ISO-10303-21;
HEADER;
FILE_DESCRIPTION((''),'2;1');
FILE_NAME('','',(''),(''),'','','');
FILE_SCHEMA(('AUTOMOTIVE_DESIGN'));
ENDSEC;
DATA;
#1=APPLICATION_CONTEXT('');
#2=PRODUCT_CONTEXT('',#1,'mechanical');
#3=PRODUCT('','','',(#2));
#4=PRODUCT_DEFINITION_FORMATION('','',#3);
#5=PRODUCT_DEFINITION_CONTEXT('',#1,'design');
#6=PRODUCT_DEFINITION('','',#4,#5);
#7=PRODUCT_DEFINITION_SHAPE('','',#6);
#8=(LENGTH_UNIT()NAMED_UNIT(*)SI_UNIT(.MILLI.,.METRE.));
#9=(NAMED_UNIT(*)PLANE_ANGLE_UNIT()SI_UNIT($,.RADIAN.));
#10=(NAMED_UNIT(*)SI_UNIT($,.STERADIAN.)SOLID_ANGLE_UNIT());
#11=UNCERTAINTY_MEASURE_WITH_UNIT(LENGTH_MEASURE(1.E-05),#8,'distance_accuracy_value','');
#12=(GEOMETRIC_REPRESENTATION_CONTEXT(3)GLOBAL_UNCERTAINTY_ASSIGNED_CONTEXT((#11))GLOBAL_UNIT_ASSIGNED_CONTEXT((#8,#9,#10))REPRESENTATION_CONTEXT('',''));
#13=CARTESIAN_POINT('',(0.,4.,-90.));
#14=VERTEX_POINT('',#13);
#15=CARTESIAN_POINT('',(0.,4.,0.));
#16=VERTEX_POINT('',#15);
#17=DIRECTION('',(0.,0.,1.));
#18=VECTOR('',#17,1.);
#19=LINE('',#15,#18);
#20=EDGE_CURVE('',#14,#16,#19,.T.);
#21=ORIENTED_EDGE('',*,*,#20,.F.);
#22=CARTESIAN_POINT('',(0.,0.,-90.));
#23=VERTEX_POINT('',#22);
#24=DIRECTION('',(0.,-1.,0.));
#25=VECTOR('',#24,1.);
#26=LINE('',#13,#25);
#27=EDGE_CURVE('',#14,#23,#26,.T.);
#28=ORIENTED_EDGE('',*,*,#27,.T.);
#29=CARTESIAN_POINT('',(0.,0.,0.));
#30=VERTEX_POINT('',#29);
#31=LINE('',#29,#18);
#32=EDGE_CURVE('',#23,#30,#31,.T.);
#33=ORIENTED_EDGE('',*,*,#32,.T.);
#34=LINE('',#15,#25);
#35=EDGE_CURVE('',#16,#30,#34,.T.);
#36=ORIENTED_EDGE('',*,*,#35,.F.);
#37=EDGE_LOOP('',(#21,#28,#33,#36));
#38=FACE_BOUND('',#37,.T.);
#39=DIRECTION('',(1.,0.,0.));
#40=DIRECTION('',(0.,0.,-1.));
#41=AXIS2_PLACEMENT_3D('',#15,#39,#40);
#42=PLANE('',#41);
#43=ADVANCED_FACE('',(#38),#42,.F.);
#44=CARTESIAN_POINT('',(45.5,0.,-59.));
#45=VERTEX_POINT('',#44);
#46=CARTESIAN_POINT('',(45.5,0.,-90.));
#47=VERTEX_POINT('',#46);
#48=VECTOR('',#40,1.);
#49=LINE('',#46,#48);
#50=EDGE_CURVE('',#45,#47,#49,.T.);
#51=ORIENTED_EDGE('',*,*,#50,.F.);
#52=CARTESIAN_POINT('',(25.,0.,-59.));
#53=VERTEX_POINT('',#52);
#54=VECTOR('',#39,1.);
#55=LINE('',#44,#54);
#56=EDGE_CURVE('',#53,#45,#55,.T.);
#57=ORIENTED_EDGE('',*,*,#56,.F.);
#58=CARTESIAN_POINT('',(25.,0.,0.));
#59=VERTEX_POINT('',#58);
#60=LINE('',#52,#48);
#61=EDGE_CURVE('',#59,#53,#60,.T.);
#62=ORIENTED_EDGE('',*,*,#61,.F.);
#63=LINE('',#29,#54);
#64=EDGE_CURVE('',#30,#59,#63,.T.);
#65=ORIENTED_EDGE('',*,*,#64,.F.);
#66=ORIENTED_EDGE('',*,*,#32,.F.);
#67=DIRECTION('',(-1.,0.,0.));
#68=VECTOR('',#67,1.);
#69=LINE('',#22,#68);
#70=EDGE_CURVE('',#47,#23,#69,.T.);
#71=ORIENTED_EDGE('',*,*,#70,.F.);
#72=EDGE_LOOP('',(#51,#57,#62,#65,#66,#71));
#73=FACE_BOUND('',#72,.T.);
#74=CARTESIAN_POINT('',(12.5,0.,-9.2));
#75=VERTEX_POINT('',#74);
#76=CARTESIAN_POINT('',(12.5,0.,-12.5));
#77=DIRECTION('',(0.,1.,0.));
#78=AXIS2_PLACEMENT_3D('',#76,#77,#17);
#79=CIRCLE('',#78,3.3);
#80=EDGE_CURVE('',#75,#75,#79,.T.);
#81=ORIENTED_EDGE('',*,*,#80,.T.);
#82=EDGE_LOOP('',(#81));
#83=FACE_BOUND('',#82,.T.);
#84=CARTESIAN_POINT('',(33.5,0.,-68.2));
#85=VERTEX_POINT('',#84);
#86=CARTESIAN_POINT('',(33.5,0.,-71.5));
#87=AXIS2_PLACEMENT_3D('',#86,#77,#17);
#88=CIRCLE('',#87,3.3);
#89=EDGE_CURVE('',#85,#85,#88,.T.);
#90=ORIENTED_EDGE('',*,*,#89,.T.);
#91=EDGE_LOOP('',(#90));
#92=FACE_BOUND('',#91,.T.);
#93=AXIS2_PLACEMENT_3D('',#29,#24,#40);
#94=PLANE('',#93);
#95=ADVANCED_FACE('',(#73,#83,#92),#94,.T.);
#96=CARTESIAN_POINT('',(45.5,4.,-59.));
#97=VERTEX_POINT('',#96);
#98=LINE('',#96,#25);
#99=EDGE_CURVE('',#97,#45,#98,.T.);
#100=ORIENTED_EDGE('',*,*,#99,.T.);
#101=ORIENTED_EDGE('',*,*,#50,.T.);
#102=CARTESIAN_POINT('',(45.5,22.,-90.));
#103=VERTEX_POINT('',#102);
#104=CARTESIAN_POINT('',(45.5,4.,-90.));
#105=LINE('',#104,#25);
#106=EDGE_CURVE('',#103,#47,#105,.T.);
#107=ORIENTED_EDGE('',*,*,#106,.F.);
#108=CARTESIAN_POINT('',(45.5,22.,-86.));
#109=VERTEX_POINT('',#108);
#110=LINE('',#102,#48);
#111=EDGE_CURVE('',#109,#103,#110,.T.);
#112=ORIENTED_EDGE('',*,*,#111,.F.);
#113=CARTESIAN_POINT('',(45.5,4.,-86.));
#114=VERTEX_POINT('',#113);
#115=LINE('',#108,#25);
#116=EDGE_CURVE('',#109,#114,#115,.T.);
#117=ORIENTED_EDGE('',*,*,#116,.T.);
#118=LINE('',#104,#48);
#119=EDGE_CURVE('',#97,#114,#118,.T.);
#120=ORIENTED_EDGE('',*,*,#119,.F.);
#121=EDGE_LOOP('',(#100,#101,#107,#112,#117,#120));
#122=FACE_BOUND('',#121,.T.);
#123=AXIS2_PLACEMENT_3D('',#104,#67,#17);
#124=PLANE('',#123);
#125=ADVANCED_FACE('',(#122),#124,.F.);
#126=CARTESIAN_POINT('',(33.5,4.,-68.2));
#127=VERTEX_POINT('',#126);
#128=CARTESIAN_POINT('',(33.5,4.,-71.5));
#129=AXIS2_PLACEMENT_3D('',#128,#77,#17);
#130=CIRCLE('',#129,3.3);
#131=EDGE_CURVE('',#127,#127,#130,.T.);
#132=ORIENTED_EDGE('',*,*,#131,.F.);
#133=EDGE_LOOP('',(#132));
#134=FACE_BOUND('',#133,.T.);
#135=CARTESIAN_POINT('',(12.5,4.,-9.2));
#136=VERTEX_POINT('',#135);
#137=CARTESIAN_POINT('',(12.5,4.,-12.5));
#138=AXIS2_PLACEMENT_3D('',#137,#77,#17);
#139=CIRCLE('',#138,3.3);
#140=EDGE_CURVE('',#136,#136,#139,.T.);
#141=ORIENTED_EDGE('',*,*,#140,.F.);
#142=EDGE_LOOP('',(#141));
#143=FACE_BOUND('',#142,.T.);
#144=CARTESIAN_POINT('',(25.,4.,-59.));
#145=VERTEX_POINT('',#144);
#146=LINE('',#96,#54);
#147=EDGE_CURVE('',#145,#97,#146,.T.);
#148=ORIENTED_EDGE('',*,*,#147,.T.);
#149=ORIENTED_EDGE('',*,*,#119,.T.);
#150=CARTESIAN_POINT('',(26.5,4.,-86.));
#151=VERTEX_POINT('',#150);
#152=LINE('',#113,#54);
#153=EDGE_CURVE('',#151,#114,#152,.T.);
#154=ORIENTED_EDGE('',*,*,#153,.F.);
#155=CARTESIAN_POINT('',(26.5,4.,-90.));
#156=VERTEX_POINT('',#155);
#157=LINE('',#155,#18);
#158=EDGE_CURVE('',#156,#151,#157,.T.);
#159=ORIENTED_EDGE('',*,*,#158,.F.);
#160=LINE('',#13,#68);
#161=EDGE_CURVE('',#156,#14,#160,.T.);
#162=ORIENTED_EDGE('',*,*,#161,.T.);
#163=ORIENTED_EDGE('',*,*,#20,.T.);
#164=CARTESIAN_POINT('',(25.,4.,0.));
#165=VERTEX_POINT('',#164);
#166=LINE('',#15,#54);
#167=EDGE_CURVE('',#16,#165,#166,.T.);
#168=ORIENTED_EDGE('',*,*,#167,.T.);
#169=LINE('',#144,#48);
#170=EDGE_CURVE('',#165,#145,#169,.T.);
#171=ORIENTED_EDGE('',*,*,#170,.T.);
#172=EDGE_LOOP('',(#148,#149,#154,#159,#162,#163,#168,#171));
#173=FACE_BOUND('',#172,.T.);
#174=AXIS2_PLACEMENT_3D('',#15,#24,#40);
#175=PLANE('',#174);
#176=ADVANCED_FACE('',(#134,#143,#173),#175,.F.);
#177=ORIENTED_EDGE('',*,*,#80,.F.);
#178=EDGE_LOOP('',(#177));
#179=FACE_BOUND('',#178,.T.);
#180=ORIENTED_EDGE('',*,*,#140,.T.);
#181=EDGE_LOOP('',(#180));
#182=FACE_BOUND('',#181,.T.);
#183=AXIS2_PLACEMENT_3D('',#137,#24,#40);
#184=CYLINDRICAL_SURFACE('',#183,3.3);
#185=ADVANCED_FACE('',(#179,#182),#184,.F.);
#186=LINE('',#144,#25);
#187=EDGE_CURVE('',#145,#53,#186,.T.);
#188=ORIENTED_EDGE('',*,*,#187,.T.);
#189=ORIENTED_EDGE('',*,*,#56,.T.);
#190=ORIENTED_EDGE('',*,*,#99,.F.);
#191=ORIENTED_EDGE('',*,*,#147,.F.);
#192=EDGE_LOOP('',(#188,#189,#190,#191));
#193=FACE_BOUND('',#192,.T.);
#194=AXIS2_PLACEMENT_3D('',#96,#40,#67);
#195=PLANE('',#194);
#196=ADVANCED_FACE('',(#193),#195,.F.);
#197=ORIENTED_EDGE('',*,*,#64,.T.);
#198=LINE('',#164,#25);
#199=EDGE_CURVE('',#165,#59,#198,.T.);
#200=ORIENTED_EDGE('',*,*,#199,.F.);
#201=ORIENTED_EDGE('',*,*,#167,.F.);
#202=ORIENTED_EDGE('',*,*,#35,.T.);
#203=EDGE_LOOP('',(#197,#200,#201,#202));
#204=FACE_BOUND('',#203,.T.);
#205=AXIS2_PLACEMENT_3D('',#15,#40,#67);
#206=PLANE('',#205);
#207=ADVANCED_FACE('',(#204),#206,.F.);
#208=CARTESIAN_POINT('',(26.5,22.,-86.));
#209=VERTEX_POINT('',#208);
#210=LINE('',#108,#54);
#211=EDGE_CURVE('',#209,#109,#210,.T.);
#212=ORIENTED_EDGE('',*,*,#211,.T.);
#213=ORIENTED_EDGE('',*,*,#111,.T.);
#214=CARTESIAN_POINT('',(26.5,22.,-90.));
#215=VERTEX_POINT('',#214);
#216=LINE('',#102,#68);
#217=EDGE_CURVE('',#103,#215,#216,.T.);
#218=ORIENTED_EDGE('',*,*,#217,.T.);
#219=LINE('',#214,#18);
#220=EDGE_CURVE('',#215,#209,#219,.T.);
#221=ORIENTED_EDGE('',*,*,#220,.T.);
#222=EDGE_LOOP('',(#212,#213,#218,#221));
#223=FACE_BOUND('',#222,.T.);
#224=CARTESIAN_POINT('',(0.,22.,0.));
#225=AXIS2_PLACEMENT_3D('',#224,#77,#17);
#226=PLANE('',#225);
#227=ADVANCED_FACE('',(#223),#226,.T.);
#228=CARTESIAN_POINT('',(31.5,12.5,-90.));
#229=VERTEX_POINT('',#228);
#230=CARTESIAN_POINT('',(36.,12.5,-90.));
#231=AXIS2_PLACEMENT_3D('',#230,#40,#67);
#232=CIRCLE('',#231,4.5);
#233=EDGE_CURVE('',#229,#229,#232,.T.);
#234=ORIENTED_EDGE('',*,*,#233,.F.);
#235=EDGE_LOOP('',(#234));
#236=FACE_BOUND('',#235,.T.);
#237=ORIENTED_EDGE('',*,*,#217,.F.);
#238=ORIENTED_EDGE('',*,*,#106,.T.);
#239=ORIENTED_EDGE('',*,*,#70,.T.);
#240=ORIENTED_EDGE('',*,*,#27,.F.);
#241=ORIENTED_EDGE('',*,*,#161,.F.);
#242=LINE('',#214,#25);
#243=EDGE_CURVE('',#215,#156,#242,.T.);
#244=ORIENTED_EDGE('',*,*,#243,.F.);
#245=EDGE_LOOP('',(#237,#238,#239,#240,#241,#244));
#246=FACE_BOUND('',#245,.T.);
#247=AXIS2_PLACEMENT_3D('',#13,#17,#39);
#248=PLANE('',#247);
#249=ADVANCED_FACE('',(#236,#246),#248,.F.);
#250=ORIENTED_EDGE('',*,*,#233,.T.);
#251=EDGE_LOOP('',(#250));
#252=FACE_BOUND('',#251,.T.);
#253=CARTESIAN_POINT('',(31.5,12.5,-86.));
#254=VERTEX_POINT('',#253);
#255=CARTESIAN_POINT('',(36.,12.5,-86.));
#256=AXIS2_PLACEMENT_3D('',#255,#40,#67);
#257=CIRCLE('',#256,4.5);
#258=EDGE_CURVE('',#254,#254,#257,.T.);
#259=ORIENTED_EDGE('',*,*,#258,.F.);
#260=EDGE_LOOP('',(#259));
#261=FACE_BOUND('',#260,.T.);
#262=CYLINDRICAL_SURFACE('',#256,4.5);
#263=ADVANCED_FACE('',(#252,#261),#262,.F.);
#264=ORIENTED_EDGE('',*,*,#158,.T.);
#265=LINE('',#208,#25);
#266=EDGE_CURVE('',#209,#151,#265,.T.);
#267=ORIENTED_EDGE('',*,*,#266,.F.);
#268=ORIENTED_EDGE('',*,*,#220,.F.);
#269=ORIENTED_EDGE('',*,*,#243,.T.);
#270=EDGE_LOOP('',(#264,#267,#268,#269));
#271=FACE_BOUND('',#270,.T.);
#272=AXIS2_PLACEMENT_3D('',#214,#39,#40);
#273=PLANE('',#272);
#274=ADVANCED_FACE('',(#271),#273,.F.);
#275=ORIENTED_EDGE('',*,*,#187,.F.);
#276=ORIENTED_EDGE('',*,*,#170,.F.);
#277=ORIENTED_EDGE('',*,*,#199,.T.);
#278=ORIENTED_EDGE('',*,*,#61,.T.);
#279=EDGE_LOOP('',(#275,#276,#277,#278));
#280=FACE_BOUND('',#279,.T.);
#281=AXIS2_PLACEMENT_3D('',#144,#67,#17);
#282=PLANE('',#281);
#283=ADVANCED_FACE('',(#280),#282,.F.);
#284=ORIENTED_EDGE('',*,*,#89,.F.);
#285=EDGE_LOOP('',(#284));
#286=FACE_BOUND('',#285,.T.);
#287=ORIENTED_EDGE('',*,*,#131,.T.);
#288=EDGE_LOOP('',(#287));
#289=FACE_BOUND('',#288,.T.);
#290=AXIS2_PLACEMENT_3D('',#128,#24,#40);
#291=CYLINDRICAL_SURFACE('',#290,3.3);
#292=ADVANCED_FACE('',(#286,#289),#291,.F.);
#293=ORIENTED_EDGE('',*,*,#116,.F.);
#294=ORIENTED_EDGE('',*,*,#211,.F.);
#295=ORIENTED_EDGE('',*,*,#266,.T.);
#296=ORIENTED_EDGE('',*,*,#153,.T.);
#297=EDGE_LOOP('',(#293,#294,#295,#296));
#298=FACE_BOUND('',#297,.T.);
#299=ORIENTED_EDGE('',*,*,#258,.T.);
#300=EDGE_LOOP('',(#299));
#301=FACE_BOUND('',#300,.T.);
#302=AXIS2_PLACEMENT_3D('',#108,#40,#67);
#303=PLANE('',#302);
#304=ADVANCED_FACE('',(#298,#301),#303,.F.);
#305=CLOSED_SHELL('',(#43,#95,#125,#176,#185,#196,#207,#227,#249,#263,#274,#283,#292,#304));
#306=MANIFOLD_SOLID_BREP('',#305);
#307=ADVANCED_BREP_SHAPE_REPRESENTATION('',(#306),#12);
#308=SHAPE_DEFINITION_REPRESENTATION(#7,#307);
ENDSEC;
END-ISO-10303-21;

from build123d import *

# Parameters (mm, degrees)
SKETCH1_R           = 3.3
BOSS_EXTRUDE1_DEPTH = 4
SKETCH2_W           = 19
SKETCH2_H           = 4
BOSS_EXTRUDE2_DEPTH = 18
SKETCH3_R           = 4.5
CUT_EXTRUDE1_DEPTH  = 4


with BuildPart() as part:
    # Sketch1 → Boss-Extrude1 (new body)
    with BuildSketch(Plane(origin=(0, 0, 0), x_dir=(1, 0, 0), z_dir=(0, 1, 0))):
        Polygon((0, 0), (25, 0), (25, 59), (45.5, 59), (45.5, 90), (0, 90), align=None)
        with Locations(Location((33.5, 71.5, 0), (0, 0, 270))):
            Circle(SKETCH1_R, mode=Mode.SUBTRACT)
        with Locations(Location((12.5, 12.5, 0), (0, 0, 270))):
            Circle(SKETCH1_R, mode=Mode.SUBTRACT)
    extrude(amount=BOSS_EXTRUDE1_DEPTH)

    # Sketch2 → Boss-Extrude2 (add)
    with BuildSketch(Plane(origin=(0, 4, 0), x_dir=(1, 0, 0), z_dir=(0, 1, 0))):
        with Locations((36, 88)):
            Rectangle(SKETCH2_W, SKETCH2_H)
    extrude(amount=BOSS_EXTRUDE2_DEPTH)

    # Sketch3 → Cut-Extrude1 (cut)
    with BuildSketch(Plane(origin=(0, 0, -90), x_dir=(-1, 0, 0), z_dir=(0, 0, -1))):
        with Locations((-36, 12.5)):
            Circle(SKETCH3_R)
    extrude(amount=-CUT_EXTRUDE1_DEPTH, mode=Mode.SUBTRACT)


solid = part.part
